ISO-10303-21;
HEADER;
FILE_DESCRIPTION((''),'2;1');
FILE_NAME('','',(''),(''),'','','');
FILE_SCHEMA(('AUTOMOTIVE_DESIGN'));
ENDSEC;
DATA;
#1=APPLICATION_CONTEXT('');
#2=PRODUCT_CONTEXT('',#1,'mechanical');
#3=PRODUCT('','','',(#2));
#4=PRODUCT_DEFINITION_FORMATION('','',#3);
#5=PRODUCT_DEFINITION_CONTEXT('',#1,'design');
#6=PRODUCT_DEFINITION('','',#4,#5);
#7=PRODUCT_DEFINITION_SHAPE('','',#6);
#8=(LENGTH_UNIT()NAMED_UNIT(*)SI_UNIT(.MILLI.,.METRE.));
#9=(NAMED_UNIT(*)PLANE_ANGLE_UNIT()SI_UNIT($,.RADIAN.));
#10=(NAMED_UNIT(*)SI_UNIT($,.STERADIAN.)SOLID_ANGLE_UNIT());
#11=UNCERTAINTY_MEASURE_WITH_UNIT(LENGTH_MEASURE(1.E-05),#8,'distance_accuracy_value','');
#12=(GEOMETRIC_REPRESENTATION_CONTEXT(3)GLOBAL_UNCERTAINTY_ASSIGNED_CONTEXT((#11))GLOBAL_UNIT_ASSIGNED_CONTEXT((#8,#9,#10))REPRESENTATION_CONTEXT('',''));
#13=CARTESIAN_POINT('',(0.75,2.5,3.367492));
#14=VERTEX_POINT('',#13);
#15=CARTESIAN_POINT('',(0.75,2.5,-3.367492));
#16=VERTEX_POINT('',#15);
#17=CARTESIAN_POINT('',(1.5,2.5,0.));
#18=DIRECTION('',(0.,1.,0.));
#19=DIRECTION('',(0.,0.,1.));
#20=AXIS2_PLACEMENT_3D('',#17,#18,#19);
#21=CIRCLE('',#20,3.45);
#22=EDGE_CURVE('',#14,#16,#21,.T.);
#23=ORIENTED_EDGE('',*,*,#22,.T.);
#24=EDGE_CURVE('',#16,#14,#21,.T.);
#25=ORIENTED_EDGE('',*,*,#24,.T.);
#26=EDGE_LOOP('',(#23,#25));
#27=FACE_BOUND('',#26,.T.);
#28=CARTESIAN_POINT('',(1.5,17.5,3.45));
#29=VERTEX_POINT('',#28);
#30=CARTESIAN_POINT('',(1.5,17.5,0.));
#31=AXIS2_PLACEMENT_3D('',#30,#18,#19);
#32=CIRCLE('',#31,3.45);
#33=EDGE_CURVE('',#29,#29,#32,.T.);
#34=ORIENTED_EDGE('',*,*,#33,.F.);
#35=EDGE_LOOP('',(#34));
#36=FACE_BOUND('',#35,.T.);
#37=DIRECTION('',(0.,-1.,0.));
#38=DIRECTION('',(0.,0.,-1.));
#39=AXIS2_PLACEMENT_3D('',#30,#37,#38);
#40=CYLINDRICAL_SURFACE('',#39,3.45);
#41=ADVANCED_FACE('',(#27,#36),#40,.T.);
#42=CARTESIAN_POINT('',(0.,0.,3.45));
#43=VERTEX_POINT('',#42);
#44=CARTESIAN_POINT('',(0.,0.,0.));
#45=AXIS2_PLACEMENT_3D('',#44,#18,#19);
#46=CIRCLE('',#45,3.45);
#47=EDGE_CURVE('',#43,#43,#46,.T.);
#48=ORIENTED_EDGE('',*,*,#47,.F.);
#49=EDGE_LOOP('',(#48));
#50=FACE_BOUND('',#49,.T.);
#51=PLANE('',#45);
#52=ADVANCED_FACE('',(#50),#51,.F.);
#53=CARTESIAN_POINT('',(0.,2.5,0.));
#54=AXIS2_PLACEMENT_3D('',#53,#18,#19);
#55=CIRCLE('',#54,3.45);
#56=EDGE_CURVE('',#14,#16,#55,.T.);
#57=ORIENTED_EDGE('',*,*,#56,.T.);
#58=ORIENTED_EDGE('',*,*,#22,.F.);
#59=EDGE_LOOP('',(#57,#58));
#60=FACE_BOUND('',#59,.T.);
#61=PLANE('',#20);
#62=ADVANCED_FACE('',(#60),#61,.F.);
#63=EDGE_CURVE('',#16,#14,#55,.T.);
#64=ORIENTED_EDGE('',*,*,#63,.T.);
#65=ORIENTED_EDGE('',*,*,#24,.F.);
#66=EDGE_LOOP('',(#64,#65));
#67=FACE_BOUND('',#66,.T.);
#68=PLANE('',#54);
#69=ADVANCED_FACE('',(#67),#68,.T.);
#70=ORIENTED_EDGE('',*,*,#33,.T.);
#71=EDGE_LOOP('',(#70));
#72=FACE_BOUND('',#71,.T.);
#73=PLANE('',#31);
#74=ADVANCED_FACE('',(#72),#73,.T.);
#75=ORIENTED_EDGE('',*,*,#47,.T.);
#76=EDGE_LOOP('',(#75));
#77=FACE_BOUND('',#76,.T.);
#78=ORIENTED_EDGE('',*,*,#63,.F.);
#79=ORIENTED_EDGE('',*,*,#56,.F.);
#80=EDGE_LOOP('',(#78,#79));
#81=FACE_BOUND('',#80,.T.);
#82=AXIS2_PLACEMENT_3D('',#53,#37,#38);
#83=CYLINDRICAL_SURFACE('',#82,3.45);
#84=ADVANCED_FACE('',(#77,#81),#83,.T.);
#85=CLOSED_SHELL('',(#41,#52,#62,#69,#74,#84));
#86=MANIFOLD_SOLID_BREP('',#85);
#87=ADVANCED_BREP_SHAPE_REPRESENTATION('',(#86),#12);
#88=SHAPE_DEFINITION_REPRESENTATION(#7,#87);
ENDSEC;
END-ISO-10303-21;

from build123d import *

# Parameters (mm, degrees)
SKETCH1_R           = 3.45
BOSS_EXTRUDE1_DEPTH = 2.5
SKETCH2_R           = 3.45
BOSS_EXTRUDE2_DEPTH = 15


with BuildPart() as part:
    # Sketch1 → Boss-Extrude1 (new body)
    with BuildSketch(Plane(origin=(0, 0, 0), x_dir=(1, 0, 0), z_dir=(0, 1, 0))):
        with Locations(Location((0, 0, 0), (0, 0, 270))):
            Circle(SKETCH1_R)
    extrude(amount=BOSS_EXTRUDE1_DEPTH)

    # Sketch2 → Boss-Extrude2 (add)
    with BuildSketch(Plane(origin=(0, 2.5, 0), x_dir=(1, 0, 0), z_dir=(0, 1, 0))):
        with Locations(Location((1.5, 0, 0), (0, 0, 102.555857799))):
            Circle(SKETCH2_R)
    extrude(amount=BOSS_EXTRUDE2_DEPTH)


solid = part.part
